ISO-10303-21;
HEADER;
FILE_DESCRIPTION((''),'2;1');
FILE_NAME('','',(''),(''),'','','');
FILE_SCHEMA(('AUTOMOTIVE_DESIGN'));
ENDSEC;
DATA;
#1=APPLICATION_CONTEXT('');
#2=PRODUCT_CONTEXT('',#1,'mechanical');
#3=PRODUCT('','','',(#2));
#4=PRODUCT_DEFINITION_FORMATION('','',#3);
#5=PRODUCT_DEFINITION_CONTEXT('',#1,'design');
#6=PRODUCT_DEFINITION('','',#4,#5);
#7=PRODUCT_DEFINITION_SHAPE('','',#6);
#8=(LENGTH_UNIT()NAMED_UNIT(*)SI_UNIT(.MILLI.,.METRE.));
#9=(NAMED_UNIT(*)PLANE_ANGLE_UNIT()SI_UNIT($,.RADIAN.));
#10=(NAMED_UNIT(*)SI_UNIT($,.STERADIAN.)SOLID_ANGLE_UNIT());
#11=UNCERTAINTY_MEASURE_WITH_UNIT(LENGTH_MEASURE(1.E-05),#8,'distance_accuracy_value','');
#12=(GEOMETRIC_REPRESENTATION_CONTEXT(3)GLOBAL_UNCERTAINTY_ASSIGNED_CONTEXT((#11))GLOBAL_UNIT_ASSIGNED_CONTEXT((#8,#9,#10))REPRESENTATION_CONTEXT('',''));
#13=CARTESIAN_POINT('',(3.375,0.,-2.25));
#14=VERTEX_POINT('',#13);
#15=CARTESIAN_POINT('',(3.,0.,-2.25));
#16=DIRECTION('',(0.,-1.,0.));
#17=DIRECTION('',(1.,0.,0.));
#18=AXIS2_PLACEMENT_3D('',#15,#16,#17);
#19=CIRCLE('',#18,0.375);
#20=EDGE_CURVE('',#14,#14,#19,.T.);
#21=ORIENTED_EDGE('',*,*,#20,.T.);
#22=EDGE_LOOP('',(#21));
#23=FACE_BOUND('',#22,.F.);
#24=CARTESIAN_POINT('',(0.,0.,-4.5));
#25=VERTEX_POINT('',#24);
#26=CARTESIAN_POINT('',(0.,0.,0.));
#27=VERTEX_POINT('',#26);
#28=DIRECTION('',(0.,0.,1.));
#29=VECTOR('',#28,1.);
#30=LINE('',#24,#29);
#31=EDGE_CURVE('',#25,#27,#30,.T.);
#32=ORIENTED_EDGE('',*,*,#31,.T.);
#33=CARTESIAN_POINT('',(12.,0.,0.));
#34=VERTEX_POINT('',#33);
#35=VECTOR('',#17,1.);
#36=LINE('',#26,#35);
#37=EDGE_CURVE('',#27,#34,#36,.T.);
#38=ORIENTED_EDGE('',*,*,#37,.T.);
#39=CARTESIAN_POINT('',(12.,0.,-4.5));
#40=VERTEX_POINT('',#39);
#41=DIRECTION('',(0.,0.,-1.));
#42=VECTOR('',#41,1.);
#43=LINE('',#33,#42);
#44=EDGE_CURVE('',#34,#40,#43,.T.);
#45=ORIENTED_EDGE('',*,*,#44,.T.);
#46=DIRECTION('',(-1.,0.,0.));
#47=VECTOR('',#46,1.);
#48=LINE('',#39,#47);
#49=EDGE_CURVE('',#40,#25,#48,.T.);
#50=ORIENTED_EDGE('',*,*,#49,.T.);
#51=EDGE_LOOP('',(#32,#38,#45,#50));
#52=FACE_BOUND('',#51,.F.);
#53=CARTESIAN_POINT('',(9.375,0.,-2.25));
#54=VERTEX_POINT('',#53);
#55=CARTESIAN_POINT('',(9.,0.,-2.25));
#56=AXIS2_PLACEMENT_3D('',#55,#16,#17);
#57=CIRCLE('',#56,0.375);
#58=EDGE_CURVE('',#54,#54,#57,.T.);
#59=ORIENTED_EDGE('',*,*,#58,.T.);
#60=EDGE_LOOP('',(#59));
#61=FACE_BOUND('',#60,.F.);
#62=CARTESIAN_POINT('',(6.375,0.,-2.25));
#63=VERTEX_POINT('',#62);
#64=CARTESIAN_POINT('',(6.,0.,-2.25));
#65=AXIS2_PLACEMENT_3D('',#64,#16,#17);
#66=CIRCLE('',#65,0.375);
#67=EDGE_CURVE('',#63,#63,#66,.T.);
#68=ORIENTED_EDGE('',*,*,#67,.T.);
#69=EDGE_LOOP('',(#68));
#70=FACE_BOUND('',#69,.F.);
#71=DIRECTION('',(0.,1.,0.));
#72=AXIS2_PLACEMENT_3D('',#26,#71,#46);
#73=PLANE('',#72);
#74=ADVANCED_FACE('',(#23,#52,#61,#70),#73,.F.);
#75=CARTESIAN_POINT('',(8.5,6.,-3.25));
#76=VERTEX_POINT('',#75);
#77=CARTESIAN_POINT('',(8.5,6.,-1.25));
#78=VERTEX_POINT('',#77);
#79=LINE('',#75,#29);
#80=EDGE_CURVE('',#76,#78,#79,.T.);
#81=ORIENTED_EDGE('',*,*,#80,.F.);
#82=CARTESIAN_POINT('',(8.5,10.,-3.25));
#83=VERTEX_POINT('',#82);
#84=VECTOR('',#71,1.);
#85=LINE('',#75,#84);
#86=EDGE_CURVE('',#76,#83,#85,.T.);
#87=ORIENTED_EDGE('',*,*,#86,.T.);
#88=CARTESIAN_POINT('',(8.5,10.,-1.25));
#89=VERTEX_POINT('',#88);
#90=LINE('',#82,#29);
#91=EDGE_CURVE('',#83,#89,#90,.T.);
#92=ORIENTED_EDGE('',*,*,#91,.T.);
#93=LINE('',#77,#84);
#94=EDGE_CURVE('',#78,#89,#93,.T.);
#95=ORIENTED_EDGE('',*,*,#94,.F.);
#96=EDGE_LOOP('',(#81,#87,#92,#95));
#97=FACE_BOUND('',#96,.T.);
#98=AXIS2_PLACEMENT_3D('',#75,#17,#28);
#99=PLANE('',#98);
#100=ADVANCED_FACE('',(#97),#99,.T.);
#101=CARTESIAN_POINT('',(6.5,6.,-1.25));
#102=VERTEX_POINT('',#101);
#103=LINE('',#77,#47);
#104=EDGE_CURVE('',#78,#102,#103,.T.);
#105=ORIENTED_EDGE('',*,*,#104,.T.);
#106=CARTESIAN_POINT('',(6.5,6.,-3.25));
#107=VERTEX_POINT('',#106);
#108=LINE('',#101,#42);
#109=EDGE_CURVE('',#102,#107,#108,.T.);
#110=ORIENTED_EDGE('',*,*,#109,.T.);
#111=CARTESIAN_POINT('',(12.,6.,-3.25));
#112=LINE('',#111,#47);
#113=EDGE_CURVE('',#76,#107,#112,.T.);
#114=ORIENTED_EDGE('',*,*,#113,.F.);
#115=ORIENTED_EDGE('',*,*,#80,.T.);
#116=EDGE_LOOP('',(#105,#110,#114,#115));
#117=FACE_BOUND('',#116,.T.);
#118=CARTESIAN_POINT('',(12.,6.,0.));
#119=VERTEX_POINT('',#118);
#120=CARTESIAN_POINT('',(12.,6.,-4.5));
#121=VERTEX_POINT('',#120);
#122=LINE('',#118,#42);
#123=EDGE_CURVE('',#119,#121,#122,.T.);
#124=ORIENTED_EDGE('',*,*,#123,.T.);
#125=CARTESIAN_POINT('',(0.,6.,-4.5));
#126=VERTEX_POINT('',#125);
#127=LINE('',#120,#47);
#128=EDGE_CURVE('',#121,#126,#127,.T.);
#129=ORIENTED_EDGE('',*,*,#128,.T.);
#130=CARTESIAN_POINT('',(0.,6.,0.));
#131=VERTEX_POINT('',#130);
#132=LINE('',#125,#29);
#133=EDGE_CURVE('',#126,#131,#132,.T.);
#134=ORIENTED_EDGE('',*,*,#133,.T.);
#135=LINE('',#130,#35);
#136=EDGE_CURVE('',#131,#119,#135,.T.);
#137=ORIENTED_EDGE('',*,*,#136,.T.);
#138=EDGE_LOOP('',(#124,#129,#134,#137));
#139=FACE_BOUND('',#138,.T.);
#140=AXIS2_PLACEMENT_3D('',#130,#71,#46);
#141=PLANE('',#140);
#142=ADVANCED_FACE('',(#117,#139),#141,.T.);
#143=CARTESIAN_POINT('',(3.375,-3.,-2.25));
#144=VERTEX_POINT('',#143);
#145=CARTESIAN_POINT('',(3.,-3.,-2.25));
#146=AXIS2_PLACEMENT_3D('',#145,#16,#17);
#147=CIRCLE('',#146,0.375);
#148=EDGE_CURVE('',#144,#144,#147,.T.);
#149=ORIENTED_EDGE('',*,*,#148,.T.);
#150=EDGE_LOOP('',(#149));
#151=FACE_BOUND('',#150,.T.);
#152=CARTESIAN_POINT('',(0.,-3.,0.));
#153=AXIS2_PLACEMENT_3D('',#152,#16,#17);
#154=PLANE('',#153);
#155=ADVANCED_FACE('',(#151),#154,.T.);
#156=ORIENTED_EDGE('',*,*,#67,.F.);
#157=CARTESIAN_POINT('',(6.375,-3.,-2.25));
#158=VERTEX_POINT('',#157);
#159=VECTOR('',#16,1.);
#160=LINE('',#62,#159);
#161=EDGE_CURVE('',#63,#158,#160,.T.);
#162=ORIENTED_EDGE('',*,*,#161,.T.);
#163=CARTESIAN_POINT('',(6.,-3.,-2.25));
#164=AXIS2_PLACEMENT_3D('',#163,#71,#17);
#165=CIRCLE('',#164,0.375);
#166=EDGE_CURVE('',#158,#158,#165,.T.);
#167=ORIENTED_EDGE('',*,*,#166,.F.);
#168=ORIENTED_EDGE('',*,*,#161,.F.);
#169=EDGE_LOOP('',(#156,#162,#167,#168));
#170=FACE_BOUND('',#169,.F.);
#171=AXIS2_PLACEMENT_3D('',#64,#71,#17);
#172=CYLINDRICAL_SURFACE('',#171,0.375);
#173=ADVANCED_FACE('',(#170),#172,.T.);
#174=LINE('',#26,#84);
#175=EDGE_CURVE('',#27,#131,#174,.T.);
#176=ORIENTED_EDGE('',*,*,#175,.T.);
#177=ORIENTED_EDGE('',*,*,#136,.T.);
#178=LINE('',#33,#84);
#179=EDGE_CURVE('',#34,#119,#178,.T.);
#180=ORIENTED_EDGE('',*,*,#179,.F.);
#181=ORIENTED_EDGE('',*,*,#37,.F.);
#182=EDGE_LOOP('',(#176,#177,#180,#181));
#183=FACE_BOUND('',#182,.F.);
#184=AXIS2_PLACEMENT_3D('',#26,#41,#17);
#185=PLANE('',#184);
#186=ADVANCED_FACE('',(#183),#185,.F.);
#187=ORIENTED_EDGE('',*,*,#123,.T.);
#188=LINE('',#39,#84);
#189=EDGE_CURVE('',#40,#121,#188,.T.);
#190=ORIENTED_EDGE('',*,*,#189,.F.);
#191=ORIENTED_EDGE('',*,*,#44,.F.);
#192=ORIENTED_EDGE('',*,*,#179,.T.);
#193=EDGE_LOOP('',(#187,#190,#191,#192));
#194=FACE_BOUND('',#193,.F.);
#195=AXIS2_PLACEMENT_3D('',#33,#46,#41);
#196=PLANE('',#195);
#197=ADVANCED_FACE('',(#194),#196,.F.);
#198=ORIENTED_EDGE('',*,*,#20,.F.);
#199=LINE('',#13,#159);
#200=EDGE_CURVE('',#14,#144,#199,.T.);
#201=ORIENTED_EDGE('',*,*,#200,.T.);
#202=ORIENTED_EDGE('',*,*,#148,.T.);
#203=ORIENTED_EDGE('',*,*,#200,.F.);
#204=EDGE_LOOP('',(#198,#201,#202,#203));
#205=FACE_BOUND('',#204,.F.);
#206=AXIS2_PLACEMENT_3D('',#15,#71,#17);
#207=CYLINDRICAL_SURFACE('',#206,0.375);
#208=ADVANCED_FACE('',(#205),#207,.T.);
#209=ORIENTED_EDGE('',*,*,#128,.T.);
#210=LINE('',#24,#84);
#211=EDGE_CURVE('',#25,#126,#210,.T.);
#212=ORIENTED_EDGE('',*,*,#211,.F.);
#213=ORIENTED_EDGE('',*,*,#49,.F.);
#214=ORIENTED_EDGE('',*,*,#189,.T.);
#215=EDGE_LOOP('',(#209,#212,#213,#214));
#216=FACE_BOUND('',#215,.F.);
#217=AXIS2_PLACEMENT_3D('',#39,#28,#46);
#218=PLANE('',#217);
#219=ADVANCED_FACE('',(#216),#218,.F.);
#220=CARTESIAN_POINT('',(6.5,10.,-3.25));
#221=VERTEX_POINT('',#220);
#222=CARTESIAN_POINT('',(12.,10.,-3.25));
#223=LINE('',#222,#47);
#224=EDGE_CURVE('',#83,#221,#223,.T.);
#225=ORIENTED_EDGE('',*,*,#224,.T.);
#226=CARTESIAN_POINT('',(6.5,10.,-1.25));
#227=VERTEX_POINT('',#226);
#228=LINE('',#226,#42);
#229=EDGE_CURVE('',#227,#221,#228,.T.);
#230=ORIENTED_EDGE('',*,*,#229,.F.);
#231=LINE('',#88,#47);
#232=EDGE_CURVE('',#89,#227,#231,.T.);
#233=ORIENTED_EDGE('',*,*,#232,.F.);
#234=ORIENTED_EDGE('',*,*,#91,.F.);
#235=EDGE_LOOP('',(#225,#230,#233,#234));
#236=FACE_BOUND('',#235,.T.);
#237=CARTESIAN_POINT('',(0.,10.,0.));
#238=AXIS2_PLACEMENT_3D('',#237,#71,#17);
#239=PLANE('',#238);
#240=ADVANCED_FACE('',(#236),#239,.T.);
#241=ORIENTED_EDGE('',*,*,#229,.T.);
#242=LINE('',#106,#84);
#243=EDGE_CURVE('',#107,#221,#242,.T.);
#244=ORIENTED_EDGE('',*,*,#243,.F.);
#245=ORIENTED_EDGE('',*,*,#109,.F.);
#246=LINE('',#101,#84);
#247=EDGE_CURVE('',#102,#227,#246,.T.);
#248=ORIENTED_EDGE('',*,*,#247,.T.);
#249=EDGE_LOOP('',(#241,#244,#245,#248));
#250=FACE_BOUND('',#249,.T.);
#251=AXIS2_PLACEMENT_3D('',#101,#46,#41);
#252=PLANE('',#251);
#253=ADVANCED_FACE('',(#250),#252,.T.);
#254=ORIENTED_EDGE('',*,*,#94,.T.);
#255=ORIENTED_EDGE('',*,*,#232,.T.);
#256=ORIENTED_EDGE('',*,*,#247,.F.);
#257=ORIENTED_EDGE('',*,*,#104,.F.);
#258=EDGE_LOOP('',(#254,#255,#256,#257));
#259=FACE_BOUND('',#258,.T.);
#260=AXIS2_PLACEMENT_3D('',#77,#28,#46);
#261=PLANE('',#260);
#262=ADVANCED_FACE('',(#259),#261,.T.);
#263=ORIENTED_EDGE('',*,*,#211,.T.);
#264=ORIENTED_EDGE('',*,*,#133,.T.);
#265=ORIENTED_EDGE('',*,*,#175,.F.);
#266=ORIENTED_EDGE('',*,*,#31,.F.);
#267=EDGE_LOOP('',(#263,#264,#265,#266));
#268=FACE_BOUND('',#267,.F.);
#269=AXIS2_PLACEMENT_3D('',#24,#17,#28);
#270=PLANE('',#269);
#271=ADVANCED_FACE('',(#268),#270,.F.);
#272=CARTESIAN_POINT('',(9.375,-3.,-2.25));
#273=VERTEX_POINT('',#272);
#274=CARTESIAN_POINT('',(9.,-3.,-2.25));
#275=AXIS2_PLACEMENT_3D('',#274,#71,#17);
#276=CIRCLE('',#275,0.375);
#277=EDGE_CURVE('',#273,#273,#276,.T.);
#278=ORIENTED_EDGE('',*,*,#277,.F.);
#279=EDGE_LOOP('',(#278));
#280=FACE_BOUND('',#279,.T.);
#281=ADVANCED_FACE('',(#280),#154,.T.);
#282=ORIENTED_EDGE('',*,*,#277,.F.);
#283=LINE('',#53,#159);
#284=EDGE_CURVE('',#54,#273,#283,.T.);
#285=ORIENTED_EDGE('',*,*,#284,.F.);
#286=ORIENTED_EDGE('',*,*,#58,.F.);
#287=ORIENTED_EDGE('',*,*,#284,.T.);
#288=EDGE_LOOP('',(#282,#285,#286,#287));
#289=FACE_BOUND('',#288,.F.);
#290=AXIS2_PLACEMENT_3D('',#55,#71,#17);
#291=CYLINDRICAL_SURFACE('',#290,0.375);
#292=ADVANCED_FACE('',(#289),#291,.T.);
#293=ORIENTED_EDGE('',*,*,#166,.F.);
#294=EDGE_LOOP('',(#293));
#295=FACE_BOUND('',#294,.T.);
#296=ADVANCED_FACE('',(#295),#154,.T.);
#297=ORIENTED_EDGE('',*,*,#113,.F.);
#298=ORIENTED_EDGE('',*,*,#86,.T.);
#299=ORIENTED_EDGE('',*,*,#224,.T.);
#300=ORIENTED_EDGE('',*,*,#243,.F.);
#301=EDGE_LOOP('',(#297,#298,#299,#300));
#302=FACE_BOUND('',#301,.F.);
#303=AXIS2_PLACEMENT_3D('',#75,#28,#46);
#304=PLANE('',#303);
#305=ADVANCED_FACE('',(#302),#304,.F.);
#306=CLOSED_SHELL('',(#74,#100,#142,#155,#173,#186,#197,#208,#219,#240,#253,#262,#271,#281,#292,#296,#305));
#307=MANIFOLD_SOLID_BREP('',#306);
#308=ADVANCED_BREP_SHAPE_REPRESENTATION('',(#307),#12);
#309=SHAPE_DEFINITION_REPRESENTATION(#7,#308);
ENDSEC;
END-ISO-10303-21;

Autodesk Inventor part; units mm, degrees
ref_plane "YZ Plane" through (0, 0, 0) normal (1, 0, 0) x (0, 1, 0)
ref_plane "XZ Plane" through (0, 0, 0) normal (0, 1, 0) x (-1, 0, 0)
ref_plane "XY Plane" through (0, 0, 0) normal (0, 0, 1) x (1, 0, 0)
sketch "스케치4" plane through (0, 0, 0) normal (0, 1, 0) x (-1, 0, 0)
  line L0 (0, 0) -> (-12, 0)
  line L1 (-12, 0) -> (-12, -4.5)
  line L2 (-12, -4.5) -> (0, -4.5)
  line L3 (0, -4.5) -> (0, 0)
  dimension "d18" = 12
  dimension "d19" = 4.5
extrude "돌출5" add sketch "스케치4" along normal blind 6
sketch "스케치5" plane through (0, 6, 0) normal (0, 1, 0) x (1, 0, 0)
  line L0 (12, 0) -> (12, 4.5) projected
  line L1 (12, 2.25) -> (12, 3.25)
  line L2 (12, 3.25) -> (6.5, 3.25)
  line L3 (6.5, 3.25) -> (8.5, 3.25)
  line L4 (8.5, 3.25) -> (8.5, 1.25)
  line L5 (8.5, 1.25) -> (6.5, 1.25)
  line L6 (6.5, 1.25) -> (6.5, 3.25)
  point P0 (0, 0)
  dimension "d22" = 1
  dimension "d23" = 5.5
  dimension "d24" = 2
  dimension "d25" = 2
extrude "돌출6" add sketch "스케치5" along normal blind 4
sketch "스케치6" plane through (0, 0, 0) normal (0, -1, 0) x (1, 0, 0)
  line L0 (0, 0) -> (12, 0) projected
  line L1 (6, 0) -> (6, -2.25)
  line L2 (6, -2.25) -> (9, -2.25)
  line L3 (9, -2.25) -> (3, -2.25)
  circle A0 centre (6, -2.25) radius 0.375
  circle A1 centre (9, -2.25) radius 0.375
  circle A2 centre (3, -2.25) radius 0.375
  dimension "d28" = 2.25
  dimension "d29" = 3
  dimension "d30" = 6
  dimension "d31" = 0.75
  dimension "d32" = 0.75
  dimension "d33" = 0.75
extrude "돌출7" add sketch "스케치6" along normal blind 3
properties part number "tmdnlcl"
